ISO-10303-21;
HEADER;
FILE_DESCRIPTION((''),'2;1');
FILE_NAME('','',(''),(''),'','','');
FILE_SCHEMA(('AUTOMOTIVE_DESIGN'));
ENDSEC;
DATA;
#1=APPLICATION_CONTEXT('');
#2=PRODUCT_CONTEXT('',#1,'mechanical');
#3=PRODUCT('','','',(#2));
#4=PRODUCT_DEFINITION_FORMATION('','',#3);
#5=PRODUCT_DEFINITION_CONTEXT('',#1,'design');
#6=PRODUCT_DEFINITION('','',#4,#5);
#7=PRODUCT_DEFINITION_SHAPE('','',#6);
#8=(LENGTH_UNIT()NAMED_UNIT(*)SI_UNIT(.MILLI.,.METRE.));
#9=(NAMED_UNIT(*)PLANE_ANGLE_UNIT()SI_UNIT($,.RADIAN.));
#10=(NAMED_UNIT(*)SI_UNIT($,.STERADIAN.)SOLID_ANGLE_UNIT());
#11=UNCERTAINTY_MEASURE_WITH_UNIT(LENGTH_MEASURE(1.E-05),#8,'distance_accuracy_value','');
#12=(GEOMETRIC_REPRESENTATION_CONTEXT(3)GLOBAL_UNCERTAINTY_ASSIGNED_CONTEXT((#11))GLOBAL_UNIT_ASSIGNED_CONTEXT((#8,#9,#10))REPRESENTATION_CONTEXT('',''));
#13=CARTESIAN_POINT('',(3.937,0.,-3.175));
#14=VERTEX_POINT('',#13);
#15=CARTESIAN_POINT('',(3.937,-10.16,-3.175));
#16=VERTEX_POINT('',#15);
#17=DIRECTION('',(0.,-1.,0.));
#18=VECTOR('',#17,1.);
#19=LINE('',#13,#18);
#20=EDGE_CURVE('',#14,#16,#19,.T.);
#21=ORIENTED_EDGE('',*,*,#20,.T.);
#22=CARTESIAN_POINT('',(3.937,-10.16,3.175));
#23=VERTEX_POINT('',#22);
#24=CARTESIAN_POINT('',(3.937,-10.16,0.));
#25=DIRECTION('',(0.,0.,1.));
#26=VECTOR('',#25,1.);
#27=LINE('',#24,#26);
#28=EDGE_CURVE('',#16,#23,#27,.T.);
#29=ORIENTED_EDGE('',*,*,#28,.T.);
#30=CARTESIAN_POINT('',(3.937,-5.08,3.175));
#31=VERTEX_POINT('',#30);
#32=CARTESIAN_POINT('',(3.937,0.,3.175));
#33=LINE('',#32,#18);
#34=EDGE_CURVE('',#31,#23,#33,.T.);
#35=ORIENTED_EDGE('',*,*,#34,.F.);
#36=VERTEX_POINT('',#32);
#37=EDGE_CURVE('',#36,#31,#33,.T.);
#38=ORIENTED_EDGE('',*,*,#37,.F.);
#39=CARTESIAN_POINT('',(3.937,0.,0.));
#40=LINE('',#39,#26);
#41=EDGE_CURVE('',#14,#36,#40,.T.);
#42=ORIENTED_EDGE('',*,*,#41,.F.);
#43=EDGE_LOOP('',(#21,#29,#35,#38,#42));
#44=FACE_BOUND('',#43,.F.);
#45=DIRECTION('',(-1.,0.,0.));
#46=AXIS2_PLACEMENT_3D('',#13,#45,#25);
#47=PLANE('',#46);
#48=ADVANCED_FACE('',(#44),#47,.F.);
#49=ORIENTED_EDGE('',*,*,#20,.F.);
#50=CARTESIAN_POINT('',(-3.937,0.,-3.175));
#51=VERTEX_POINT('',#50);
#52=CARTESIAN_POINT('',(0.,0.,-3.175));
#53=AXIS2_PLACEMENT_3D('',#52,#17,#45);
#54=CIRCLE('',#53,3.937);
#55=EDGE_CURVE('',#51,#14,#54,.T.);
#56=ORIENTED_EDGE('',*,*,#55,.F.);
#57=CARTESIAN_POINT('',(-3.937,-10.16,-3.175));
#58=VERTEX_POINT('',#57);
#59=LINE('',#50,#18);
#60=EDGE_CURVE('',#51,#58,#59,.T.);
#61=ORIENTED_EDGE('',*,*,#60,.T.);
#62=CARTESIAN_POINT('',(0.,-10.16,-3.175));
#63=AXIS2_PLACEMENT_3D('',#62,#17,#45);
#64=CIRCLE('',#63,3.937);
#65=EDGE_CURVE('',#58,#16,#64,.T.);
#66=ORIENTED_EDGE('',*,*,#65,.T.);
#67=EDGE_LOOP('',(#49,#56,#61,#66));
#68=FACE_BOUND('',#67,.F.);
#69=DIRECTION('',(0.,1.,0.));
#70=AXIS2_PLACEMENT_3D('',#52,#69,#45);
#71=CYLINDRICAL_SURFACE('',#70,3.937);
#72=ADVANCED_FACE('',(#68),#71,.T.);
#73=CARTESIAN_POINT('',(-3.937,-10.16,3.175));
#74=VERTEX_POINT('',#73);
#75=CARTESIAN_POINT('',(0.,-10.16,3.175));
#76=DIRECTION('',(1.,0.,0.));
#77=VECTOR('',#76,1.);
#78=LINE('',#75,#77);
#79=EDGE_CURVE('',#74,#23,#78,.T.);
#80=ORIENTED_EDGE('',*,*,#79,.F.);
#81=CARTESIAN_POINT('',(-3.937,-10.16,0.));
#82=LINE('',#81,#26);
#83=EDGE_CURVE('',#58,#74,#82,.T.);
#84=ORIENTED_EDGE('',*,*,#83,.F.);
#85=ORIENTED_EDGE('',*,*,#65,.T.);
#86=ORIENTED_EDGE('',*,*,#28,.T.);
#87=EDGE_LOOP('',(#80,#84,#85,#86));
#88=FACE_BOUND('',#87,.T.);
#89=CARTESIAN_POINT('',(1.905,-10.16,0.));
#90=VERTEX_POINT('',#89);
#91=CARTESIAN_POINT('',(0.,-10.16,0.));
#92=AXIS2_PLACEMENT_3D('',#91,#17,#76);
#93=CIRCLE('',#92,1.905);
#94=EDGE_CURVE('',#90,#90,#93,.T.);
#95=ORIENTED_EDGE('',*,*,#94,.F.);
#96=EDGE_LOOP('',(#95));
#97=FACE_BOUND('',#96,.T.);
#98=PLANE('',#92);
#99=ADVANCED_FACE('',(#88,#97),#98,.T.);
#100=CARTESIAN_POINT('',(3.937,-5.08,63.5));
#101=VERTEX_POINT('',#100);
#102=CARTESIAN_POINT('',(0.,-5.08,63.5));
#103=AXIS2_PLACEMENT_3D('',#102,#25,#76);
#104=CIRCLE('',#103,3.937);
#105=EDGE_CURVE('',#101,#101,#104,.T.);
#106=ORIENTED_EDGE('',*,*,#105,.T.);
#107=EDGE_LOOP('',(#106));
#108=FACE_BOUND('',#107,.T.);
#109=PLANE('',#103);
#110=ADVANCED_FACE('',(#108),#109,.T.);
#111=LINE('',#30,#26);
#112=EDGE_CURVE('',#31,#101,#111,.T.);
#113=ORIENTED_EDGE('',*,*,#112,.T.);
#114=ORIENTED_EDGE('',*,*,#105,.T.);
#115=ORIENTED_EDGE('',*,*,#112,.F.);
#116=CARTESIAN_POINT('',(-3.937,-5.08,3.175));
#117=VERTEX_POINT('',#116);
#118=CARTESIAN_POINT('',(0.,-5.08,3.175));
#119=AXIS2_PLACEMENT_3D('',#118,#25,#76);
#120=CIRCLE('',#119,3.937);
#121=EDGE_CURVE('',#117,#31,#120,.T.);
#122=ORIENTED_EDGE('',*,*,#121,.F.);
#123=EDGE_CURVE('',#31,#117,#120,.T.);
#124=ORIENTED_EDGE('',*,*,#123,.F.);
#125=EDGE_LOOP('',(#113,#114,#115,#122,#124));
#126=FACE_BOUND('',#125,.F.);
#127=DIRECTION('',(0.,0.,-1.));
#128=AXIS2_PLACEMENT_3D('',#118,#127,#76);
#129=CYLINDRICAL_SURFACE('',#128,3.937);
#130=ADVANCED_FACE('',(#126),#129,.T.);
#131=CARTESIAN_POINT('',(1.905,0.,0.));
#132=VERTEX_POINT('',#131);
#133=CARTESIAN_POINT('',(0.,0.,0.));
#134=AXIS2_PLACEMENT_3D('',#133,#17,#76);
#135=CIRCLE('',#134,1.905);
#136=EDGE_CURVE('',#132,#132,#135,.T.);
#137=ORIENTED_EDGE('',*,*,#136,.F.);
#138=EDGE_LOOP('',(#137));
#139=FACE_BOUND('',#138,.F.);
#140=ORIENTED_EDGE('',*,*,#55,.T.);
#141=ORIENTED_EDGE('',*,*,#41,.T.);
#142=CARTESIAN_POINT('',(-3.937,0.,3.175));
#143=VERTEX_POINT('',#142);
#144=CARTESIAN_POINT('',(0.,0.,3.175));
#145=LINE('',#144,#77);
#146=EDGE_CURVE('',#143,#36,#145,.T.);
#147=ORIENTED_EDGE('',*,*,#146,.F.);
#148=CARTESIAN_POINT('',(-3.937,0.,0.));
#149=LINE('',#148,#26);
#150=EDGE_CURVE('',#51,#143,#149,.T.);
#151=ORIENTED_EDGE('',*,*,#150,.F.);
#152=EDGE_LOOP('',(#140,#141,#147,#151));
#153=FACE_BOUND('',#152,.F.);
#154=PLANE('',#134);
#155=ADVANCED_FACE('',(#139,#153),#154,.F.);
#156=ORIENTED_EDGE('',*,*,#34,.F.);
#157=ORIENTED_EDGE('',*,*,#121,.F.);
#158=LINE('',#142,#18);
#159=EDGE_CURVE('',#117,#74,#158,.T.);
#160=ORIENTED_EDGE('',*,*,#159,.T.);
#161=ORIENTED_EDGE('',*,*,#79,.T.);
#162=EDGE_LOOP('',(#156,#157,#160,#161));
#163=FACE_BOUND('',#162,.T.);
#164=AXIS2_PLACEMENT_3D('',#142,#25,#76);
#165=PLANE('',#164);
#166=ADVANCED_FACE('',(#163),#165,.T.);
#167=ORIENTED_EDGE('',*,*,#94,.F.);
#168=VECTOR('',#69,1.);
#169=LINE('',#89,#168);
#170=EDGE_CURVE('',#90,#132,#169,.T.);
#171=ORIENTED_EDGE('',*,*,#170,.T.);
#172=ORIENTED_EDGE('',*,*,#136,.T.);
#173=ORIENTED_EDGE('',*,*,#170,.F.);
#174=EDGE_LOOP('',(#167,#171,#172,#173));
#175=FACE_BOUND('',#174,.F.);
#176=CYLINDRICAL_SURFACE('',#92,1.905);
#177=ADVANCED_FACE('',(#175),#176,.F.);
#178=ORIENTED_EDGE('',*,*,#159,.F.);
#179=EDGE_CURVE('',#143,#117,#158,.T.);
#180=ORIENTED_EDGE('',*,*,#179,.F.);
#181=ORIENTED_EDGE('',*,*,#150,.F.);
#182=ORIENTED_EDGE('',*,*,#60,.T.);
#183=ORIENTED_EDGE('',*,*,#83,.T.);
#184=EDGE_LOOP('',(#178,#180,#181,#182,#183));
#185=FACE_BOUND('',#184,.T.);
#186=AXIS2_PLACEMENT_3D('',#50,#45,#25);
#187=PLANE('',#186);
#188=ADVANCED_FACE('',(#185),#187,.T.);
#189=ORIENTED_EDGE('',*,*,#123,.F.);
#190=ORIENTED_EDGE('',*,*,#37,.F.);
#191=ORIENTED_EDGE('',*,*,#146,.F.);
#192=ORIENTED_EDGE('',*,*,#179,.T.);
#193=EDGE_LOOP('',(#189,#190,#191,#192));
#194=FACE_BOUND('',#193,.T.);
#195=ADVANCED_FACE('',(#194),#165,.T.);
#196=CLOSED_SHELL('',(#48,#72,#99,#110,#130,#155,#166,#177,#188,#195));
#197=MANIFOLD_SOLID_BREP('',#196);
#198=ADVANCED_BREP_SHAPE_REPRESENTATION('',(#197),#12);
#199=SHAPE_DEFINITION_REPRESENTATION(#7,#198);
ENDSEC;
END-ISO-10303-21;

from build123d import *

# Parameters (mm, degrees)
F0_W     = 7.874
F0_H     = 6.35
F1_DEPTH = 10.16
F2_R     = 1.905
F3_DEPTH = 10.161
F5_DEPTH = 60.325


with BuildPart() as f1:
    # F0 (on Front) → F1 (new body)
    with BuildSketch(Plane.XZ):
        Rectangle(F0_W, F0_H)
        with BuildLine():
            Line((3.937, -3.175), (-3.937, -3.175))
            ThreePointArc((-3.937, -3.175), (0, -7.112), (3.937, -3.175))
        make_face()
    extrude(amount=F1_DEPTH)

    # F2 (on face) → F3 (cut, through all)
    with BuildSketch(Plane.XZ.offset(10.16)):
        Circle(F2_R)
    extrude(amount=-F3_DEPTH, mode=Mode.SUBTRACT)

    # F4 (on face) → F5 (join)
    with BuildSketch(Plane.XY.offset(3.175)):
        with BuildLine():
            ThreePointArc((-3.937, -5.08), (0, -9.017), (3.937, -5.08))
            ThreePointArc((3.937, -5.08), (0, -1.143), (-3.937, -5.08))
        make_face()
    extrude(amount=F5_DEPTH)


solid = f1.part
